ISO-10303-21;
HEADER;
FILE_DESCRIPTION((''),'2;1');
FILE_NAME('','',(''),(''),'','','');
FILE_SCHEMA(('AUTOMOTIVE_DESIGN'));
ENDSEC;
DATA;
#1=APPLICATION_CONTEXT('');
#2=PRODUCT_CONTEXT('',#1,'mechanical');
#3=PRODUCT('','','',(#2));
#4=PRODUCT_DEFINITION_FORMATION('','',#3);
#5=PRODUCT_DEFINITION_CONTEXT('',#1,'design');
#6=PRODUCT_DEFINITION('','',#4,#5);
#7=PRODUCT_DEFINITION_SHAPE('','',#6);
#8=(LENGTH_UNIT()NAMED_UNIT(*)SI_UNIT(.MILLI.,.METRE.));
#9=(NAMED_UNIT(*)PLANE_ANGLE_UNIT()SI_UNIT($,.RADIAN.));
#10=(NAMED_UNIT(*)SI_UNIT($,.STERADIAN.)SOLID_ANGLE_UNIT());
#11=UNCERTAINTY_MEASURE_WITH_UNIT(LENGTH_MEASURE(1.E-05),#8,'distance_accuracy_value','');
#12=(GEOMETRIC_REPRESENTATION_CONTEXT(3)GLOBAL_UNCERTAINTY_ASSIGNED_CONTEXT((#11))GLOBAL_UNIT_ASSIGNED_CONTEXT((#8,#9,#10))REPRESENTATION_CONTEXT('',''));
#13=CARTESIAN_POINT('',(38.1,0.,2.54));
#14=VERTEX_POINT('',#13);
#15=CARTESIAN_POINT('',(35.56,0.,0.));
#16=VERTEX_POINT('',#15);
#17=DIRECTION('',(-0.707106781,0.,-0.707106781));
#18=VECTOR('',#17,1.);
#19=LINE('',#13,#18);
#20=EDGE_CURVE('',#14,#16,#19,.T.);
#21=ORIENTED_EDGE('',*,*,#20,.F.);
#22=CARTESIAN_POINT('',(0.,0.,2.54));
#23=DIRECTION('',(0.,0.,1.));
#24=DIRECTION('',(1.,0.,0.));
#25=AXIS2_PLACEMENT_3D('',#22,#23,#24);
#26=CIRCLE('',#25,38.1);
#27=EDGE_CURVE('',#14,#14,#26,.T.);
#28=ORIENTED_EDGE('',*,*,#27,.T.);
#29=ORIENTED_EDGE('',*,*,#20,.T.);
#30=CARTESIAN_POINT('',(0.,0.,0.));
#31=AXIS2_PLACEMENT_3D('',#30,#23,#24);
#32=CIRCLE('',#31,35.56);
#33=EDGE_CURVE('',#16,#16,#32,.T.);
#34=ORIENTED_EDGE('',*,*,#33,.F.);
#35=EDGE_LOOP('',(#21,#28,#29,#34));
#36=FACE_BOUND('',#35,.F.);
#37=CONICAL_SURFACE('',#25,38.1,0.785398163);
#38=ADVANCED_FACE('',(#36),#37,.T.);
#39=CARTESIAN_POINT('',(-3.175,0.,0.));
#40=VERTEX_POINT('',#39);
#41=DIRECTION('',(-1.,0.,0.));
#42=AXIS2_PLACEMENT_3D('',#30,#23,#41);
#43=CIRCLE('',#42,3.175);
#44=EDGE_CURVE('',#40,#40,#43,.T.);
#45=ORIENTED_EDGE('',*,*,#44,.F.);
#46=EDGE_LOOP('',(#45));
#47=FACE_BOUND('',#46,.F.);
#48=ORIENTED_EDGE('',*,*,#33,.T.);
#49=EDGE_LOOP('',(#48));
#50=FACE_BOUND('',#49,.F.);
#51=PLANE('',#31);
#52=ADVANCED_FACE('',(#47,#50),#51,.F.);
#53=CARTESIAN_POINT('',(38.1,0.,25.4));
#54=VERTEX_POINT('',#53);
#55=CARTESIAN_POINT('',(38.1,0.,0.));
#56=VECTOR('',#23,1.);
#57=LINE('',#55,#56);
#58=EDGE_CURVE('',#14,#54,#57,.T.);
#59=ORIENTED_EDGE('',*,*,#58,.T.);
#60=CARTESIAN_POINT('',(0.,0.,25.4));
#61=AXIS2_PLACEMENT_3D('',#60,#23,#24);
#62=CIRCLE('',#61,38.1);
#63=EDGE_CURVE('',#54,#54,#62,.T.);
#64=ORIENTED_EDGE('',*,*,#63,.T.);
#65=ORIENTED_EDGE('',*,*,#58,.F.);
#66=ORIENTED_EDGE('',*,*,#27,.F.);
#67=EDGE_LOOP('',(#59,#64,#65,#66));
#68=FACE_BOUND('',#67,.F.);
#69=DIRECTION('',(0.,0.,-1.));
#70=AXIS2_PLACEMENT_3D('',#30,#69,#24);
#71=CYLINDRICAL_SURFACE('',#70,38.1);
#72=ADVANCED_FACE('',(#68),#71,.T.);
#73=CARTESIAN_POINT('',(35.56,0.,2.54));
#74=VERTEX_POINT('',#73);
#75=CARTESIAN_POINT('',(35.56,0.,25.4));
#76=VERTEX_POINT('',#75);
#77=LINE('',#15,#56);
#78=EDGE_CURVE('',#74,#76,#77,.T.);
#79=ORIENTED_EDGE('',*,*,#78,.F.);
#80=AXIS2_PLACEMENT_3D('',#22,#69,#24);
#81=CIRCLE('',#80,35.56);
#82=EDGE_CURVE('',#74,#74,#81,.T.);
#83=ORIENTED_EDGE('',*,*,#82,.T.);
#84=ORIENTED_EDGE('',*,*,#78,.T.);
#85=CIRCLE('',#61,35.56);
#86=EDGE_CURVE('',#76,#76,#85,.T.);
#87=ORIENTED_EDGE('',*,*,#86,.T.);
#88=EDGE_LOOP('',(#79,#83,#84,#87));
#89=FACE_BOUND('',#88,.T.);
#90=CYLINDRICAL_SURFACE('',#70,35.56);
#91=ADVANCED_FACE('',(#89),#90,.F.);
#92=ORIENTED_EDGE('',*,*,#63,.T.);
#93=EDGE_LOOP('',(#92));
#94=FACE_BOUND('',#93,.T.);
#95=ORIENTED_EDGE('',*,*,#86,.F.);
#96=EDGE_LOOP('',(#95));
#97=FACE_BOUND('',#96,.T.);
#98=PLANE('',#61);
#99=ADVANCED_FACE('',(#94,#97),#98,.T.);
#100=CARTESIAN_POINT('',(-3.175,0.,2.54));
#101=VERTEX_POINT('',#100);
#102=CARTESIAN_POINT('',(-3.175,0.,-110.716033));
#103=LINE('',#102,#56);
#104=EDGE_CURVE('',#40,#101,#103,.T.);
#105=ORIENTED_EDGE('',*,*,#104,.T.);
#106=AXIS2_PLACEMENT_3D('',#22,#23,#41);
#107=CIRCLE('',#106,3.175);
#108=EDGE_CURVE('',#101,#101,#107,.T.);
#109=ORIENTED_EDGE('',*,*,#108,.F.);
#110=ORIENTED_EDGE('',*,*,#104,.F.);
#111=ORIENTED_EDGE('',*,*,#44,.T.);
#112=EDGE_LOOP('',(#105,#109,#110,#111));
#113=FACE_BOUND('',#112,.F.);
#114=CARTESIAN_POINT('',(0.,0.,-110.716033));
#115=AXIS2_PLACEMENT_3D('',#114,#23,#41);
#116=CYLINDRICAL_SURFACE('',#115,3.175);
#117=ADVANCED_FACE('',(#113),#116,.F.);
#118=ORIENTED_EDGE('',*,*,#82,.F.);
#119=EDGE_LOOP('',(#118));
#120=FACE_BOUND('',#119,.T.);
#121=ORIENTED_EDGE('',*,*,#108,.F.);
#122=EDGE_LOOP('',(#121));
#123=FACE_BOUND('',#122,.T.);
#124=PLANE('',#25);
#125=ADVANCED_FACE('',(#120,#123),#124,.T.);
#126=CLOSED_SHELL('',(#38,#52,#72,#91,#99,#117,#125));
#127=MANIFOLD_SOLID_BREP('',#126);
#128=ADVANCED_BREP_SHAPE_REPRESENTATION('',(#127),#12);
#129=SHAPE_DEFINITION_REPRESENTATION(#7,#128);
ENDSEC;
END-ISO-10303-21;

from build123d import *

# Parameters (mm, degrees)
F0_R     = 38.1
F1_DEPTH = 25.4
F2_T     = -2.54
F3_SIZE  = 2.54
F5_D     = 6.35


with BuildPart() as f1:
    # F0 (on Top) → F1 (new body)
    with BuildSketch(Plane.XY):
        Circle(F0_R)
    extrude(amount=F1_DEPTH)

    # F2
    f2_openings = [f1.faces().sort_by_distance(p)[0] for p in [
        (0, 0, 25.4),
    ]]
    offset(amount=F2_T, openings=f2_openings)

    # F3
    f3_edges = [f1.edges().sort_by_distance(p)[0] for p in [
        (-38.1, 0, 0),
    ]]
    chamfer(f3_edges, length=F3_SIZE)

    # F5 (through all)
    with Locations(Plane(origin=(0, 0, 0), x_dir=(1, 0, 0), z_dir=(0, 0, -1))):
        with Locations((0, 0)):
            Hole(F5_D / 2)


solid = f1.part
